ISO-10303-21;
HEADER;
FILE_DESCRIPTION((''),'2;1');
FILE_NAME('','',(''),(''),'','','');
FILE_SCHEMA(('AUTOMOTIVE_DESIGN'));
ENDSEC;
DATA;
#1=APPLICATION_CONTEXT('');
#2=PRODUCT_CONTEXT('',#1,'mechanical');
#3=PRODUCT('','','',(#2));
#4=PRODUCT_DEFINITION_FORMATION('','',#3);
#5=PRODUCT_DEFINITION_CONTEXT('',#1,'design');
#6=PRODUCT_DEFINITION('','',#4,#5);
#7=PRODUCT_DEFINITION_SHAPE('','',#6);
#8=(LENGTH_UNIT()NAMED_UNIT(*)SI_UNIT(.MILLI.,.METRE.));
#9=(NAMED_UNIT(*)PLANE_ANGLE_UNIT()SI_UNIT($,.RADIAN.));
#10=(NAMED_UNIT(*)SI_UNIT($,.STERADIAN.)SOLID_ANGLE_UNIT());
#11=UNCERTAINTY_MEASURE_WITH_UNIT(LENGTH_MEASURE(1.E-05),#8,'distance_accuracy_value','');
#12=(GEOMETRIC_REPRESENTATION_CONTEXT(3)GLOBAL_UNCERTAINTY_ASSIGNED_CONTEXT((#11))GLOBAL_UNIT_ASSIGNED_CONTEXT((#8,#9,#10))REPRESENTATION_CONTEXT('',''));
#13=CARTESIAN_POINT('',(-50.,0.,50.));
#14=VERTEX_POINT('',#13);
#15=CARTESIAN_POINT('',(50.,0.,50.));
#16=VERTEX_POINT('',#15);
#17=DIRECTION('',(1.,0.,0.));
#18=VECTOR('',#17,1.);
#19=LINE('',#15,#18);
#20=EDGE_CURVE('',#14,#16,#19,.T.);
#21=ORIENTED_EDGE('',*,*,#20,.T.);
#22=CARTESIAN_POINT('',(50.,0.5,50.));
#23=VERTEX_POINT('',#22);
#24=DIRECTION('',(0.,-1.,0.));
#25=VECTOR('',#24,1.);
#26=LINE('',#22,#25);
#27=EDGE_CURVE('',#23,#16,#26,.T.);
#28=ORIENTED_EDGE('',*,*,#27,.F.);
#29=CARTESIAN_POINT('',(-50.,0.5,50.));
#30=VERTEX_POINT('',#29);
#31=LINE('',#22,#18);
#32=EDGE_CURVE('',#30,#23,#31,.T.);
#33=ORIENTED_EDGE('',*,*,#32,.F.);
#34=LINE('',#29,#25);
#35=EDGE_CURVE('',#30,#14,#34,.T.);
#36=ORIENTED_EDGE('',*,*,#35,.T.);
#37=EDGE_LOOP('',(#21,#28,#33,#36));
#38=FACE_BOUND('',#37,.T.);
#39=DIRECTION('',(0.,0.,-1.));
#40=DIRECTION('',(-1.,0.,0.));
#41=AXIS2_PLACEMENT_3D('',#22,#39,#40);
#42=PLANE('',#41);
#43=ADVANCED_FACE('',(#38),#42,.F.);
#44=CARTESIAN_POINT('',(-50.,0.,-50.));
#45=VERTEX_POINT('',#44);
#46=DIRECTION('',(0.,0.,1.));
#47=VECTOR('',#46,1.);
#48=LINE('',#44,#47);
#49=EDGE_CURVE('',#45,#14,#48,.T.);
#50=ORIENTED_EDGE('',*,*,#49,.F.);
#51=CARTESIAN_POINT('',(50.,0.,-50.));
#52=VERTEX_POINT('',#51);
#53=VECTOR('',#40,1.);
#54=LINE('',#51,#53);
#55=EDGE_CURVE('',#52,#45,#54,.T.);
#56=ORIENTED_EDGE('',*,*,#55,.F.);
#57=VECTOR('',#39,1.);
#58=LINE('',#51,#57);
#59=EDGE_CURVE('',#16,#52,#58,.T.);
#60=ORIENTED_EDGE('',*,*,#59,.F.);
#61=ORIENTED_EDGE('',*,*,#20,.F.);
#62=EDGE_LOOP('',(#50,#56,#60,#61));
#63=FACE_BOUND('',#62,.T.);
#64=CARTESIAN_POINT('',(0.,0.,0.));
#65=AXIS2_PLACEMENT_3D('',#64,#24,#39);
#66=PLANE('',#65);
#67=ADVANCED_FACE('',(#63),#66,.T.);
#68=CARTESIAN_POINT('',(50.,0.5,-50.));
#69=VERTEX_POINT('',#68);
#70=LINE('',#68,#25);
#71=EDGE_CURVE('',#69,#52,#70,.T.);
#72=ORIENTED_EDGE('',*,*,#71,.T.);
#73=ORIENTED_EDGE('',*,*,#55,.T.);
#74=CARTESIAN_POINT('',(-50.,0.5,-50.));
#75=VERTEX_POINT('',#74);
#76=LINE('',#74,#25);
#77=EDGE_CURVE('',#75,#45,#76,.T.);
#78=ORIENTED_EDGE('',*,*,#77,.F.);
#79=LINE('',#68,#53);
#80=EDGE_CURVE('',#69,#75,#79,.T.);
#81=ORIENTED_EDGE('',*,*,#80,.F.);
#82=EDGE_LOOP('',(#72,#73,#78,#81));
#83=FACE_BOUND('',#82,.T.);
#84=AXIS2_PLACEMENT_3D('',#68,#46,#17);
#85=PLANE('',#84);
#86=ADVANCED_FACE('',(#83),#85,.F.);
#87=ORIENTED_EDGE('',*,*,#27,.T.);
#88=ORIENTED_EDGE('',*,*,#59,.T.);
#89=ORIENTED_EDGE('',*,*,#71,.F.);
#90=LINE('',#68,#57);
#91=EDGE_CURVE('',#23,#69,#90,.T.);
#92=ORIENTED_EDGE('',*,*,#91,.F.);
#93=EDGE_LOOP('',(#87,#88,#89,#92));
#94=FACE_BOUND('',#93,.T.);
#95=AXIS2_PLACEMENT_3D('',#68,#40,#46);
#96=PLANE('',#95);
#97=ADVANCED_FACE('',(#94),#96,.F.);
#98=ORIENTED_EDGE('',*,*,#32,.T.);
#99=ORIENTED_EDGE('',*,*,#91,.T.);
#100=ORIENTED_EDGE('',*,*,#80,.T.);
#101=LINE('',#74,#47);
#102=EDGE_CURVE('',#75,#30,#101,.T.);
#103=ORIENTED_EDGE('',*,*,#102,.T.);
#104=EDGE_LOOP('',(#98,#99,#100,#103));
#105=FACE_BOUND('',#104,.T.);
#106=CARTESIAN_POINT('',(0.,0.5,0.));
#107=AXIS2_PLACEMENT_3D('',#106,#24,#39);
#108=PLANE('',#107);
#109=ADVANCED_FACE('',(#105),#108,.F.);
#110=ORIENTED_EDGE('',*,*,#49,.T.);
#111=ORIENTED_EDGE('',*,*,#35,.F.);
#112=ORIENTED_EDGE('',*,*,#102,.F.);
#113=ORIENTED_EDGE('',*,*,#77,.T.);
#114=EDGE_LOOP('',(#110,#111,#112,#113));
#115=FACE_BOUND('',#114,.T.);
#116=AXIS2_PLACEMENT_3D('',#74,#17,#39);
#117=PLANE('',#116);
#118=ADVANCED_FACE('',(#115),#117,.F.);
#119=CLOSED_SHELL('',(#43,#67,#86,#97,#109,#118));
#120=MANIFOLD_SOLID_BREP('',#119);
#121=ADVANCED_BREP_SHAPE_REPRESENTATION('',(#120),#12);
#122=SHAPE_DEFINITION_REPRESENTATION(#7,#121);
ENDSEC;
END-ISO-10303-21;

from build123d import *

# Parameters (mm, degrees)
SKETCH1_W           = 100
SKETCH1_H           = 100
BOSS_EXTRUDE1_DEPTH = 0.5


with BuildPart() as part:
    # Sketch1 → Boss-Extrude1 (new body)
    with BuildSketch(Plane(origin=(0, 0, 0), x_dir=(1, 0, 0), z_dir=(0, 1, 0))):
        Rectangle(SKETCH1_W, SKETCH1_H)
    extrude(amount=BOSS_EXTRUDE1_DEPTH)


solid = part.part
